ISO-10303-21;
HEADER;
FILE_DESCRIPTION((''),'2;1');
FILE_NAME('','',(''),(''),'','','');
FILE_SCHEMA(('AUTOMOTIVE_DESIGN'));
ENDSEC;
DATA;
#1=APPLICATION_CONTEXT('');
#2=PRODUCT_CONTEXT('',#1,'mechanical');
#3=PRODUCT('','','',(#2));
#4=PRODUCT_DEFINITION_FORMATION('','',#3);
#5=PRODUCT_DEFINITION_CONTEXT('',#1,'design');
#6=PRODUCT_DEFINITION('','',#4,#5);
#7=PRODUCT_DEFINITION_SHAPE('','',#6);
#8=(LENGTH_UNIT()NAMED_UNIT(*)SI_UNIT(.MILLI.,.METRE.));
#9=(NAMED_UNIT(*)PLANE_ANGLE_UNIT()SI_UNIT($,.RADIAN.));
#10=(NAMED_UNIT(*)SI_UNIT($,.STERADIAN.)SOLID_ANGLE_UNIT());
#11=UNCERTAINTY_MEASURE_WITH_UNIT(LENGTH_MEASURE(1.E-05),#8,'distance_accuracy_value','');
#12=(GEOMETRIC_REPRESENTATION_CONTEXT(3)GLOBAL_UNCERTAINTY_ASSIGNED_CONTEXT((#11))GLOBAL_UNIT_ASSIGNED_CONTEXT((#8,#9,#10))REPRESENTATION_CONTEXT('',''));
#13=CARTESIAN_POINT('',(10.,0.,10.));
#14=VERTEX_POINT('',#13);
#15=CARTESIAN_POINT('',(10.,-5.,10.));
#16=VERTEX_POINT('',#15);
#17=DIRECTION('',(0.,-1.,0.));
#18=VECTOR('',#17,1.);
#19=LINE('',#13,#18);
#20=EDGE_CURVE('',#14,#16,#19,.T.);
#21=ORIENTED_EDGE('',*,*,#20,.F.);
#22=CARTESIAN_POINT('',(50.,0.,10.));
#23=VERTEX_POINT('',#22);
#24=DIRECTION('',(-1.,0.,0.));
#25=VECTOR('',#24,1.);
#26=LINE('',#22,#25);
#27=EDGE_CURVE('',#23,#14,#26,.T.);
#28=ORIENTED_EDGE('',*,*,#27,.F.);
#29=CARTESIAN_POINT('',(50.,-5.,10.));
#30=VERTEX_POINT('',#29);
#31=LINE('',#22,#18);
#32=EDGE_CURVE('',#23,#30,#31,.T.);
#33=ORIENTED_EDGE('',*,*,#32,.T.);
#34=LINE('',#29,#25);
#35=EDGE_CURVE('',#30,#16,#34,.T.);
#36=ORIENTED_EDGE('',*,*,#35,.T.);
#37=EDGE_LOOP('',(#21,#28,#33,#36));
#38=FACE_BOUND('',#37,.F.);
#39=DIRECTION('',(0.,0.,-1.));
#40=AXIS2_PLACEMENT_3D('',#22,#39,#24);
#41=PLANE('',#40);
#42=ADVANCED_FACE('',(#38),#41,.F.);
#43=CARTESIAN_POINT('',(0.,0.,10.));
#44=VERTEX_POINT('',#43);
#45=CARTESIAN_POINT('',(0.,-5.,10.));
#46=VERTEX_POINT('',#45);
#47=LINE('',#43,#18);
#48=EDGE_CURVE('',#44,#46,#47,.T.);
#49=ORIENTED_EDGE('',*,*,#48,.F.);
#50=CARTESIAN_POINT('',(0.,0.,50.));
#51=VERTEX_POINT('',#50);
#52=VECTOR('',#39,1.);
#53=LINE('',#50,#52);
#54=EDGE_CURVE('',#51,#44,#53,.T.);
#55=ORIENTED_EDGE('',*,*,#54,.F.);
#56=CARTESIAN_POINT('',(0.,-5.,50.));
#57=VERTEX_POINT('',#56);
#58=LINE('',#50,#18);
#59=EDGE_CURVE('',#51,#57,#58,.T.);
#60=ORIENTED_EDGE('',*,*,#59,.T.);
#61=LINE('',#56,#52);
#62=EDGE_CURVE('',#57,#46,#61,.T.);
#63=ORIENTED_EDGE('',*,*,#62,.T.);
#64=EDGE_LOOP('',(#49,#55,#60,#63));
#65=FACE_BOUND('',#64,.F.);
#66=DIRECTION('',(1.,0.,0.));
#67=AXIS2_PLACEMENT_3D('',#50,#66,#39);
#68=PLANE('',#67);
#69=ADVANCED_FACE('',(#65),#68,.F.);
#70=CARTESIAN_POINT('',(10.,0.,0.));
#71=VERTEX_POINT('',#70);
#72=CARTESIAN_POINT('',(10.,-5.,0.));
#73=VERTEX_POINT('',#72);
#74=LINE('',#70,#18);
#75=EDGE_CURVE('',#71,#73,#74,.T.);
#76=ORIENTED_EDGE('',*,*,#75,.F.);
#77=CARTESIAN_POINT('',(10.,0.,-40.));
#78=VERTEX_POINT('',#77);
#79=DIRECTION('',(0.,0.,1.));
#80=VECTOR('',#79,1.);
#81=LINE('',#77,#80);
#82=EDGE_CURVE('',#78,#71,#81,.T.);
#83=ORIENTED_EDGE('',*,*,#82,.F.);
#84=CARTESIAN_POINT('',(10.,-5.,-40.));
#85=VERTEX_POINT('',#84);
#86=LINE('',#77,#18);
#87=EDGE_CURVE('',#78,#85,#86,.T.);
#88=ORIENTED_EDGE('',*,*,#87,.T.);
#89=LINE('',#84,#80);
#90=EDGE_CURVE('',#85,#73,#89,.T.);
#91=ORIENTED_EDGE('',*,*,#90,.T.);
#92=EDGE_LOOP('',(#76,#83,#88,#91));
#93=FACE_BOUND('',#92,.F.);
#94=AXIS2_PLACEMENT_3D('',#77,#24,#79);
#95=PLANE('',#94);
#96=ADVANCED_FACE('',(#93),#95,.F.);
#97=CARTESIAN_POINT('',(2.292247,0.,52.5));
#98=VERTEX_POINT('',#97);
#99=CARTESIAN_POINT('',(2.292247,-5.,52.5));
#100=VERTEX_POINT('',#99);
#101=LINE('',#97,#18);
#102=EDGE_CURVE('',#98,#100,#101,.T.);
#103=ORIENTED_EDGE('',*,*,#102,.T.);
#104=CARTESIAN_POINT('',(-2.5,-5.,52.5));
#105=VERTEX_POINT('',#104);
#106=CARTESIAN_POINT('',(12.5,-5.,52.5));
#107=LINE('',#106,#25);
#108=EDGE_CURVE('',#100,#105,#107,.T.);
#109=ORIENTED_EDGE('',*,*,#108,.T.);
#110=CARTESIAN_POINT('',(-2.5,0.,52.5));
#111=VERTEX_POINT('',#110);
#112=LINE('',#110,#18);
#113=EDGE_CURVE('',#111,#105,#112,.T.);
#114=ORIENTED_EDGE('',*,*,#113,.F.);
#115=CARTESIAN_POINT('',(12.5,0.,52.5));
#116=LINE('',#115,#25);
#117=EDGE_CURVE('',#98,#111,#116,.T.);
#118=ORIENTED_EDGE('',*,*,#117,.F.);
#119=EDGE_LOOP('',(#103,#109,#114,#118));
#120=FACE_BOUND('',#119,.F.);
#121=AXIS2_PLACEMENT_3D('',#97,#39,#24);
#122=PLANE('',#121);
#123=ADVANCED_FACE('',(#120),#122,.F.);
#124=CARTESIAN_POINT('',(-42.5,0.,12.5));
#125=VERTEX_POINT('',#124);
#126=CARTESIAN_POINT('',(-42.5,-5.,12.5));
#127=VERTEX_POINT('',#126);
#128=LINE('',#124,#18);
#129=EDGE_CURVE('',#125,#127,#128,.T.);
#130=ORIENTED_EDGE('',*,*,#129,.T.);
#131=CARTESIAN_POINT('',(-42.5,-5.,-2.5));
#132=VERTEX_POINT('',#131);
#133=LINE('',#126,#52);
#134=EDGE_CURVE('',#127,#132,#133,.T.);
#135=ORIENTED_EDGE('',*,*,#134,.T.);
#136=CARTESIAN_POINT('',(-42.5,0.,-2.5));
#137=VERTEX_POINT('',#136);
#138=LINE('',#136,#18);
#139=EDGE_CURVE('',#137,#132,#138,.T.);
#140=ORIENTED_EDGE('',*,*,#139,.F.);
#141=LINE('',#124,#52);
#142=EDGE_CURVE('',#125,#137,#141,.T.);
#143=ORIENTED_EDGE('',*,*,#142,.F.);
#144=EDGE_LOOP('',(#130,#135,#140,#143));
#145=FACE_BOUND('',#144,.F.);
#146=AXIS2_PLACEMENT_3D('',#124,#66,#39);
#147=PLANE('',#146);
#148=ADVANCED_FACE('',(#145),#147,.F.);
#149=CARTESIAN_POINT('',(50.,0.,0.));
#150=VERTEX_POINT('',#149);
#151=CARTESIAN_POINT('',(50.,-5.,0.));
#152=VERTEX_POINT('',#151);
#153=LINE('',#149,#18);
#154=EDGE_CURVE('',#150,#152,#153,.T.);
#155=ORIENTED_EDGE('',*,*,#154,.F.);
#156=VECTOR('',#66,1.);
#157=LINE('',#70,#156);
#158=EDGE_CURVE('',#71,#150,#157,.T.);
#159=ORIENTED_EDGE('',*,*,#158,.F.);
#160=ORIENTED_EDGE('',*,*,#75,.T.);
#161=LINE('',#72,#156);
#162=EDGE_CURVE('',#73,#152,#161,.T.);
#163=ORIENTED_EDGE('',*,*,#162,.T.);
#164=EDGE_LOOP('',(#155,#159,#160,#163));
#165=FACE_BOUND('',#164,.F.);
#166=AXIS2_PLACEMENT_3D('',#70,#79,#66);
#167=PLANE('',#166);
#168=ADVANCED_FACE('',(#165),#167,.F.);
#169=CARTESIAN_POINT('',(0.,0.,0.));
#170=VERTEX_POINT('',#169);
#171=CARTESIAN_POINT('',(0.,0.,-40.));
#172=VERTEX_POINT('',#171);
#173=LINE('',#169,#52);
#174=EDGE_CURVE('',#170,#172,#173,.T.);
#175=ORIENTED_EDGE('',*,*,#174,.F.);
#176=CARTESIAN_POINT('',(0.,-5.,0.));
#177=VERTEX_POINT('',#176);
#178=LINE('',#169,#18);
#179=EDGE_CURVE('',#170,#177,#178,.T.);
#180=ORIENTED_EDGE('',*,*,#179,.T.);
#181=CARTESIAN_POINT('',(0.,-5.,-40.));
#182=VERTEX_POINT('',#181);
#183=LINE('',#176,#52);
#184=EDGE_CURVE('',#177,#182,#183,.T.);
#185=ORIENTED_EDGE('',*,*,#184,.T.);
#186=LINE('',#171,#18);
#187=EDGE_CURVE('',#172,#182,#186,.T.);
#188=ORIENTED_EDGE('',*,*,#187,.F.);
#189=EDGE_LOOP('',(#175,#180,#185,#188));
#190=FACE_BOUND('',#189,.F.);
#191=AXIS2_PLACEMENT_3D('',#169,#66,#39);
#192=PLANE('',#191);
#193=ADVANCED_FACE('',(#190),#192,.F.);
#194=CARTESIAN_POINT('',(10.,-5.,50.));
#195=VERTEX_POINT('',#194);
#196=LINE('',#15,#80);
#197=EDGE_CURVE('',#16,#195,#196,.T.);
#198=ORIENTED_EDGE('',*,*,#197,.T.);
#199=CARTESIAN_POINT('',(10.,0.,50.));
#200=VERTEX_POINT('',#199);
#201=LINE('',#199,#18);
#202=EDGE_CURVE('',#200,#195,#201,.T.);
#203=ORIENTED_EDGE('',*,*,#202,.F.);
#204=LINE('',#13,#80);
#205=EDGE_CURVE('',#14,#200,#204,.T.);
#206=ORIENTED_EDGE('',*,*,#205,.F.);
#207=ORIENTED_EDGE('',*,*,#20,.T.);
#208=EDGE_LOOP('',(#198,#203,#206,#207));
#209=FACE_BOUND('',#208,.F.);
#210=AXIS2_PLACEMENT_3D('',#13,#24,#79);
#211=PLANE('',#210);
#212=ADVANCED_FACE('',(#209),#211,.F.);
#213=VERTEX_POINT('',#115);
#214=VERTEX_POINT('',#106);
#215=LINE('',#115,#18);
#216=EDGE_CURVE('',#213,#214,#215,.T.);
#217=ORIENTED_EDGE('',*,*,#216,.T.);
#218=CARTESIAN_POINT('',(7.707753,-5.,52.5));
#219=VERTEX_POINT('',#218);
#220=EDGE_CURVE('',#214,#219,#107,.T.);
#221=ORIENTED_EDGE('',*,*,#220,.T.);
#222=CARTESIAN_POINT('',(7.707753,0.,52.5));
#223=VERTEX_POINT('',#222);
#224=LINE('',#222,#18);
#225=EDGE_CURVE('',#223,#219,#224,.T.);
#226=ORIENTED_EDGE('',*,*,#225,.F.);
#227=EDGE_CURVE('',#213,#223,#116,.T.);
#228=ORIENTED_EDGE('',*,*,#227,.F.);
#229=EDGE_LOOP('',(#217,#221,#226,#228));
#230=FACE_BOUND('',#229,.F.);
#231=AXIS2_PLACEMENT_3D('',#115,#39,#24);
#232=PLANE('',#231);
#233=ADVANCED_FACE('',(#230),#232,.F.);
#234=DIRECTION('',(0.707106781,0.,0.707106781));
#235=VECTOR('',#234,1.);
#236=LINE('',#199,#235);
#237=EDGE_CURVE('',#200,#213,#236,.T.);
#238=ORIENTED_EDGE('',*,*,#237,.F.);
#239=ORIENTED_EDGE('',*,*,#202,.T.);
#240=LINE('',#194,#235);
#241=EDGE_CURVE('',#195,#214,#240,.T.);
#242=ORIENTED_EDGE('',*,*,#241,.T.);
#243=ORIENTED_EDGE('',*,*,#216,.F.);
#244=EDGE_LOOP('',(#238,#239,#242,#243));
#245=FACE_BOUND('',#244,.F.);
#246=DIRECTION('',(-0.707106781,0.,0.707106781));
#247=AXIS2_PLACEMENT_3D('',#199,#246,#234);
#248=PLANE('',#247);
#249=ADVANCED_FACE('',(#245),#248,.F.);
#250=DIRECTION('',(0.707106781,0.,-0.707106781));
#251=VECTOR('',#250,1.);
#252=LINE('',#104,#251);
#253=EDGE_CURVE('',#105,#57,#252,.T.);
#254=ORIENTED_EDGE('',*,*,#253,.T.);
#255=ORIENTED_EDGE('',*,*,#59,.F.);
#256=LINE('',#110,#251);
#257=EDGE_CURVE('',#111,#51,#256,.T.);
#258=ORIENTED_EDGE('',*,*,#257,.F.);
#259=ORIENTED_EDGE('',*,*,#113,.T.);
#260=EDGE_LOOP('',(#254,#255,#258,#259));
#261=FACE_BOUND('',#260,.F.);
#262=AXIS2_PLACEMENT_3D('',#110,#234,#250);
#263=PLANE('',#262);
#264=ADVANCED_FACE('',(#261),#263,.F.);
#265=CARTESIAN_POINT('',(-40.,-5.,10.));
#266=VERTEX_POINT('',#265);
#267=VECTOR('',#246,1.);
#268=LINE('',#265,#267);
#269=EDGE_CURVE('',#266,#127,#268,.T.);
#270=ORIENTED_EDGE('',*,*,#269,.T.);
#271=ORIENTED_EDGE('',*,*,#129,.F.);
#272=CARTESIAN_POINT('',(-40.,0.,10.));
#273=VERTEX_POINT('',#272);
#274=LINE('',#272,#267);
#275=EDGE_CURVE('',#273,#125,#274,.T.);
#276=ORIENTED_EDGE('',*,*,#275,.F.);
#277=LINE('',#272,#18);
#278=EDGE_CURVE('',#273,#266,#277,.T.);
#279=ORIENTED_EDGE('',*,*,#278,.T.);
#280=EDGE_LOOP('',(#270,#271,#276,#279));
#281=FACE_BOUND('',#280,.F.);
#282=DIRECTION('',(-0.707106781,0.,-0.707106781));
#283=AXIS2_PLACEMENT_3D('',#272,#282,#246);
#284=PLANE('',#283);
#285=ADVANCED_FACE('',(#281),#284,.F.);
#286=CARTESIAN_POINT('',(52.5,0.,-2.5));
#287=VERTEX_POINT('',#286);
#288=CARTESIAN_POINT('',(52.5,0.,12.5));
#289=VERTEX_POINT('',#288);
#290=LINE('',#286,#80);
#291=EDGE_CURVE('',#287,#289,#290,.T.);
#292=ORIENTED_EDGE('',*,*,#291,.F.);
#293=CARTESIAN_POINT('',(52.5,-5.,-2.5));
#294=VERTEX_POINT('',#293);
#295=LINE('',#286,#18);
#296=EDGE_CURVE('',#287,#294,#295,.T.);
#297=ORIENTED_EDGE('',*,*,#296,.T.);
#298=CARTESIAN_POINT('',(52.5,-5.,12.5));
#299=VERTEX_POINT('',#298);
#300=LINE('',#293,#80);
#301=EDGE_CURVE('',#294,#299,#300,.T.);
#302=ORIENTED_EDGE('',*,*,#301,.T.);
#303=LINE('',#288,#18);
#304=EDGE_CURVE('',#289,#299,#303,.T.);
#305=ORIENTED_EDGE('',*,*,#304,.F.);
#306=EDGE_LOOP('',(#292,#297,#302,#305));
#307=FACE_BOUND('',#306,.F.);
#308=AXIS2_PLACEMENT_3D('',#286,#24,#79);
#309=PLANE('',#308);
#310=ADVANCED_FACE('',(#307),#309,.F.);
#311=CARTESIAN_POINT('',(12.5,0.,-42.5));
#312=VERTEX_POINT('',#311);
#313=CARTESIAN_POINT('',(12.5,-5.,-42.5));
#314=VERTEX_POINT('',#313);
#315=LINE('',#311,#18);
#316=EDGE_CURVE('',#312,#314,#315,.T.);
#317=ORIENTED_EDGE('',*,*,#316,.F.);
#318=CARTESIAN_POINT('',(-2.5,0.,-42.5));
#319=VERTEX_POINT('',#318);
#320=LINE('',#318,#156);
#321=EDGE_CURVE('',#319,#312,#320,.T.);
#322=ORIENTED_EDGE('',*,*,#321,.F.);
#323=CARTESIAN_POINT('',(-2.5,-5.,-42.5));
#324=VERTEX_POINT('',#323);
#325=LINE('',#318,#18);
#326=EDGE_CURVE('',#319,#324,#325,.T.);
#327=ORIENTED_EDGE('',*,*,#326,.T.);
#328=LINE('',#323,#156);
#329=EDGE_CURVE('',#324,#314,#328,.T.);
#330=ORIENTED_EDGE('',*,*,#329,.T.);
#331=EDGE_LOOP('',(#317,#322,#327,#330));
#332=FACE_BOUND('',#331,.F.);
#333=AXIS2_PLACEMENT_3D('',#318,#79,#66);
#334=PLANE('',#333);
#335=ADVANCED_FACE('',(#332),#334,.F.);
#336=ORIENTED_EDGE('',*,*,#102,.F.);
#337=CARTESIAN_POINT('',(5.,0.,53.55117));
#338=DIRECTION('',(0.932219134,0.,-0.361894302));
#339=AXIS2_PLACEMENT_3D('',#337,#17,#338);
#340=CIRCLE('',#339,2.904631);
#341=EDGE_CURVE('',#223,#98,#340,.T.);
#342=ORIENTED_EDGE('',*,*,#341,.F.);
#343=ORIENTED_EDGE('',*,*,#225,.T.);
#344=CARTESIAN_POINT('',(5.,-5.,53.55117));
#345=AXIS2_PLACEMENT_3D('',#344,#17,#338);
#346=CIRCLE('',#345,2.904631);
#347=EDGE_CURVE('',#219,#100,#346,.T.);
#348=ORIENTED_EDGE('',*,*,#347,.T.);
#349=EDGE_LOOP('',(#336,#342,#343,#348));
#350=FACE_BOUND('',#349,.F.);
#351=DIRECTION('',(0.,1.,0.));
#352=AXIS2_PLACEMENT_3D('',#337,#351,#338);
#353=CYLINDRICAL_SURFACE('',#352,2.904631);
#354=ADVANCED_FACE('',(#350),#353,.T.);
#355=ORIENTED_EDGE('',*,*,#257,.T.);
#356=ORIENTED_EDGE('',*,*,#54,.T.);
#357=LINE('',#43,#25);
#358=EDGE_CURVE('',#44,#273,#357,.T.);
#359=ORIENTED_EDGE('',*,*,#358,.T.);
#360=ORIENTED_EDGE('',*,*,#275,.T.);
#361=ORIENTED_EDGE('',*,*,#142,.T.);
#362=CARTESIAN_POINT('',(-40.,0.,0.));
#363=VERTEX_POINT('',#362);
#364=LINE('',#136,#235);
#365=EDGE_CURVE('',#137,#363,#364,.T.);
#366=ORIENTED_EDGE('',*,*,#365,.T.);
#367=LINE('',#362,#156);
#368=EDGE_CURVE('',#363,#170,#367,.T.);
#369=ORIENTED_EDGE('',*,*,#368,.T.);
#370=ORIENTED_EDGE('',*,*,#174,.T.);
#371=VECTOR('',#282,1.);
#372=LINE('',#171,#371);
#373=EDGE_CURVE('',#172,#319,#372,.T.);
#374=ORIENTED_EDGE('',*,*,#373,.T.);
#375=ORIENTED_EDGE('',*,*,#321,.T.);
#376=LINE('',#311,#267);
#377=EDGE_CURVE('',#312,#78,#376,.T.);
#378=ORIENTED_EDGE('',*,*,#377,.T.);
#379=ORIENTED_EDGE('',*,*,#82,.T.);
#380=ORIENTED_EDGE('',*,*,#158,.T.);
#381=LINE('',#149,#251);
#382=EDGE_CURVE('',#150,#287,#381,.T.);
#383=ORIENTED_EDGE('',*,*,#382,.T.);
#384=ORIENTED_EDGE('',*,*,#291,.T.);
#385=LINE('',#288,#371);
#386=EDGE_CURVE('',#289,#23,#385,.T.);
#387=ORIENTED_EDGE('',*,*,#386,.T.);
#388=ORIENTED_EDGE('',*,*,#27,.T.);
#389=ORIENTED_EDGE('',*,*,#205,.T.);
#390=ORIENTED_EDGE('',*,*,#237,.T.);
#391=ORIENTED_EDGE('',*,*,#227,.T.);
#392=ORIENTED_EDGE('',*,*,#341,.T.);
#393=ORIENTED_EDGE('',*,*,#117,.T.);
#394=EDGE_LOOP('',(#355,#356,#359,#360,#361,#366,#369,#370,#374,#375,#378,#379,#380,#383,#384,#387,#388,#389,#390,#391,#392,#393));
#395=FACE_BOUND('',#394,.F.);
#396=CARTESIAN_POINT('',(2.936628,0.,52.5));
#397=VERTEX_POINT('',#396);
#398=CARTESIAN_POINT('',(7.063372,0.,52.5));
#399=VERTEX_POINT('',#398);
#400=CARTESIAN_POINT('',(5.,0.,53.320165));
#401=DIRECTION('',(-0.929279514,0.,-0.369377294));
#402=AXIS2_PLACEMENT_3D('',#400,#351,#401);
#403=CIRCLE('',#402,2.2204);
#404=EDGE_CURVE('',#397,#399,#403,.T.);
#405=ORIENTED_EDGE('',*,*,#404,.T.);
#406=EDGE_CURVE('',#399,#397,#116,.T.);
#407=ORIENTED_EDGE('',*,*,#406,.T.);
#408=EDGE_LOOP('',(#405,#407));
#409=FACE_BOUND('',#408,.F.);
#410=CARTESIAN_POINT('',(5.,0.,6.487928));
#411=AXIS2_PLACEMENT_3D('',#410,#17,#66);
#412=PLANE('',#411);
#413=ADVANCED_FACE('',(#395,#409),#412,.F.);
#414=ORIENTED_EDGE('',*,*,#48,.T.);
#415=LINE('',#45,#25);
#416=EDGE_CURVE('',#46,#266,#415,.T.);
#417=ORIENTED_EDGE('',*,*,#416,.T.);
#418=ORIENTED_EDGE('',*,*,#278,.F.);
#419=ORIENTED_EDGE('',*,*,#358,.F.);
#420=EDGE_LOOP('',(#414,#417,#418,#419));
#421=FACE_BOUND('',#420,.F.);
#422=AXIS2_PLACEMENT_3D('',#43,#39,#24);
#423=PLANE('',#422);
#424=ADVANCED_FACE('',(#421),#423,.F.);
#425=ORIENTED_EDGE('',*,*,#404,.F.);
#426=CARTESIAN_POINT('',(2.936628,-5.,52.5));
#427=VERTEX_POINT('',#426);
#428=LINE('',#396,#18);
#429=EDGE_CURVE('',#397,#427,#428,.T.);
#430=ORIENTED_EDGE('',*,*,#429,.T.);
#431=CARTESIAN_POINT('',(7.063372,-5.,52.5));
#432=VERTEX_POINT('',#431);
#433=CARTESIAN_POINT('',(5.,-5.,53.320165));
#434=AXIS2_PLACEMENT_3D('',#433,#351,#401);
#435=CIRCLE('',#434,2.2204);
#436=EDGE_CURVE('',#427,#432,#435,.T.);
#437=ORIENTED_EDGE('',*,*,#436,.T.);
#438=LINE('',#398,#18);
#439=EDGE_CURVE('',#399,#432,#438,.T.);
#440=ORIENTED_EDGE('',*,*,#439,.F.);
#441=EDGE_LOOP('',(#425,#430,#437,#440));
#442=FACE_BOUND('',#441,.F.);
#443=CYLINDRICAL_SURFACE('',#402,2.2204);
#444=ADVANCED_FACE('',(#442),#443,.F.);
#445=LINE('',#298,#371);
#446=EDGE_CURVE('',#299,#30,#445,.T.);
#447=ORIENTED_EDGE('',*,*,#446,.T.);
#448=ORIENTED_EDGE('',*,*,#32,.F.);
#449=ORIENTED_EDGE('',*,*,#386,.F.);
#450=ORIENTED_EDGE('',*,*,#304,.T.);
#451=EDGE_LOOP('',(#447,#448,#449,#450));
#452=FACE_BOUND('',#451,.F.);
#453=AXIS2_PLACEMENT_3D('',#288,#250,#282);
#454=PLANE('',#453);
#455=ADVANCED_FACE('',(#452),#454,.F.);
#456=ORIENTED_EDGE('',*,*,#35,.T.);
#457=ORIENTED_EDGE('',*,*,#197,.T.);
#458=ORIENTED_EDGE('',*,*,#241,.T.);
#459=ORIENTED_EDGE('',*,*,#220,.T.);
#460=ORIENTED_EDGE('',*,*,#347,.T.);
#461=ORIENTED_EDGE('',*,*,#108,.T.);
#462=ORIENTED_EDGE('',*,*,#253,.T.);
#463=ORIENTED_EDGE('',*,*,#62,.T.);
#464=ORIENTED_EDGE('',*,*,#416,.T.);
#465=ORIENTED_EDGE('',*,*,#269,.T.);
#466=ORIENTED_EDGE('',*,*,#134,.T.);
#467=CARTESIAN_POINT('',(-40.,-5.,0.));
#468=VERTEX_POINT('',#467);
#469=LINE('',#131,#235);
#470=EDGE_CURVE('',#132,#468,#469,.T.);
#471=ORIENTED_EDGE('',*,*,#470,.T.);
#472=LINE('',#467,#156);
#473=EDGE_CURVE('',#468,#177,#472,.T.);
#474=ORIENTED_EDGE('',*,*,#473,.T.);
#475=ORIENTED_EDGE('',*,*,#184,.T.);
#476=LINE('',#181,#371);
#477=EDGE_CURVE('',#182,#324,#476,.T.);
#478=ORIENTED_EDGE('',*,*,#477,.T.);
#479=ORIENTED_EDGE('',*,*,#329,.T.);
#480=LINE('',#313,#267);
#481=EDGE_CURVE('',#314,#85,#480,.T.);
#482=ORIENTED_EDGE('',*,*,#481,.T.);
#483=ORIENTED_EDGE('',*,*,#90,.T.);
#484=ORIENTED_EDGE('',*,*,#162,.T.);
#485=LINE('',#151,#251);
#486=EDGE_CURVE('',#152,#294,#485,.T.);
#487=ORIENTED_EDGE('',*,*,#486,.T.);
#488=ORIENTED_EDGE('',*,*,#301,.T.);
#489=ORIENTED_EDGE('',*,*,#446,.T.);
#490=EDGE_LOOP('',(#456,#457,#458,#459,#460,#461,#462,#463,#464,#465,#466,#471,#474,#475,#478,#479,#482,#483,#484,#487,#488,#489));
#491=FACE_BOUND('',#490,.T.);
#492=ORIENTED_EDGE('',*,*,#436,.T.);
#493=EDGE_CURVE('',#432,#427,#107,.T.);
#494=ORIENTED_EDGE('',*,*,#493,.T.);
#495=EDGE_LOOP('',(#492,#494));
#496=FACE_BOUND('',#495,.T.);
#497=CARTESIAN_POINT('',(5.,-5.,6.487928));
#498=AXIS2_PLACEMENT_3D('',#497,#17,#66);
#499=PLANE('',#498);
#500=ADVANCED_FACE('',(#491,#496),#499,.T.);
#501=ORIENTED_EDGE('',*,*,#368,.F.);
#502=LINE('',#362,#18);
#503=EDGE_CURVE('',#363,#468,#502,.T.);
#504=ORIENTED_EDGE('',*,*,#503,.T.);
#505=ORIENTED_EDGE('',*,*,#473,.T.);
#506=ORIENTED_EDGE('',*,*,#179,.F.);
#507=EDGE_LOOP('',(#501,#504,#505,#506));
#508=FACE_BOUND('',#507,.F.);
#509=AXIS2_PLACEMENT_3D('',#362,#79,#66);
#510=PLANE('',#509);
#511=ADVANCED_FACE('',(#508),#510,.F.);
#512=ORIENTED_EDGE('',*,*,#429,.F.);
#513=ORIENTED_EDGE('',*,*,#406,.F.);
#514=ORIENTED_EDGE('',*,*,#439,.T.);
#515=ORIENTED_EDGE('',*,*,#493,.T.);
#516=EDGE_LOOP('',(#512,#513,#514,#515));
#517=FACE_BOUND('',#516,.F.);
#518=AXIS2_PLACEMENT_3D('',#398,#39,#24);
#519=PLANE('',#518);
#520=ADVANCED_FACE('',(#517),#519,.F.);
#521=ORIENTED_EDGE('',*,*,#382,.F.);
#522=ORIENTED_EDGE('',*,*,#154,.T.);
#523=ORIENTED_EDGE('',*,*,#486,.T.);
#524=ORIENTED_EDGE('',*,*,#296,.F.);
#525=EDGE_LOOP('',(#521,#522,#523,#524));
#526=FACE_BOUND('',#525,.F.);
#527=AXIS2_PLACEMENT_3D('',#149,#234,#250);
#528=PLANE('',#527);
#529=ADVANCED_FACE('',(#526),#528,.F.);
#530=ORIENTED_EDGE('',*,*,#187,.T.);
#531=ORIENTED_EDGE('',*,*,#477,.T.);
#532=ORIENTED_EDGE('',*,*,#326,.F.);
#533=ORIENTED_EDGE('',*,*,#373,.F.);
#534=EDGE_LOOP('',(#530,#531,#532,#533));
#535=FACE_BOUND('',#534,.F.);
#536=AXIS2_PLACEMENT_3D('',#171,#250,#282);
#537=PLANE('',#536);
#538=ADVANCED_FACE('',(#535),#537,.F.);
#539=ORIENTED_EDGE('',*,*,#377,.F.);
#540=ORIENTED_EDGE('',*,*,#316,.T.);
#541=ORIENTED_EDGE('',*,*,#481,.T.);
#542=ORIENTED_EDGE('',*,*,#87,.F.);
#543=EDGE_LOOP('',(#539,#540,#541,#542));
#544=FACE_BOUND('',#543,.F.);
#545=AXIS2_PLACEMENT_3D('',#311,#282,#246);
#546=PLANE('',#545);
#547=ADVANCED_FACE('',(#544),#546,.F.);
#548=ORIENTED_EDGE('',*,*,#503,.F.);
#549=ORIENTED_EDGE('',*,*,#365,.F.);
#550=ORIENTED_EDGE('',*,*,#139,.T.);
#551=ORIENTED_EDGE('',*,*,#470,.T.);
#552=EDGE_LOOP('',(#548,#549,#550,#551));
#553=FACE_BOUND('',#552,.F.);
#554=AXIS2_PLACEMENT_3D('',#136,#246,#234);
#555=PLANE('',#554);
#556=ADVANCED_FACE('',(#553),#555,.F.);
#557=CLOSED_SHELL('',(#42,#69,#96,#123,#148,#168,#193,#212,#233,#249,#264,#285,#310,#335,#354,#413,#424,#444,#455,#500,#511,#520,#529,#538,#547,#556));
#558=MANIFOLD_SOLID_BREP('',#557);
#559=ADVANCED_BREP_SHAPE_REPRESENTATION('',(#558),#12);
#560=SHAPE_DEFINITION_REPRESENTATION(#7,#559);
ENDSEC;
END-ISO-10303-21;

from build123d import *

# Parameters (mm, degrees)
F1_DEPTH = 5


with BuildPart() as f1:
    # F0 (on Front) → F1 (new body)
    with BuildSketch(Plane.XZ):
        Polygon((10, 10), (10, 50), (12.5, 52.5), (7.707753, 52.5), (7.063372, 52.5), (2.936628, 52.5), (2.292247, 52.5), (-2.5, 52.5), (0, 50), (0, 10), (-40, 10), (-42.5, 12.5), (-42.5, -2.5), (-40, 0), (0, 0), (0, -40), (10, -40), (10, 0), (50, 0), (52.5, -2.5), (52.5, 12.5), (50, 10), align=None)
        with BuildLine():
            Line((7.063372, 52.5), (7.707753, 52.5))
            ThreePointArc((7.707753, 52.5), (5, 56.455801), (2.292247, 52.5))
            Line((2.292247, 52.5), (2.936628, 52.5))
            ThreePointArc((2.936628, 52.5), (5, 55.540565), (7.063372, 52.5))
        make_face()
        Polygon((12.5, -42.5), (10, -40), (0, -40), (-2.5, -42.5), align=None)
    extrude(amount=F1_DEPTH)


solid = f1.part
